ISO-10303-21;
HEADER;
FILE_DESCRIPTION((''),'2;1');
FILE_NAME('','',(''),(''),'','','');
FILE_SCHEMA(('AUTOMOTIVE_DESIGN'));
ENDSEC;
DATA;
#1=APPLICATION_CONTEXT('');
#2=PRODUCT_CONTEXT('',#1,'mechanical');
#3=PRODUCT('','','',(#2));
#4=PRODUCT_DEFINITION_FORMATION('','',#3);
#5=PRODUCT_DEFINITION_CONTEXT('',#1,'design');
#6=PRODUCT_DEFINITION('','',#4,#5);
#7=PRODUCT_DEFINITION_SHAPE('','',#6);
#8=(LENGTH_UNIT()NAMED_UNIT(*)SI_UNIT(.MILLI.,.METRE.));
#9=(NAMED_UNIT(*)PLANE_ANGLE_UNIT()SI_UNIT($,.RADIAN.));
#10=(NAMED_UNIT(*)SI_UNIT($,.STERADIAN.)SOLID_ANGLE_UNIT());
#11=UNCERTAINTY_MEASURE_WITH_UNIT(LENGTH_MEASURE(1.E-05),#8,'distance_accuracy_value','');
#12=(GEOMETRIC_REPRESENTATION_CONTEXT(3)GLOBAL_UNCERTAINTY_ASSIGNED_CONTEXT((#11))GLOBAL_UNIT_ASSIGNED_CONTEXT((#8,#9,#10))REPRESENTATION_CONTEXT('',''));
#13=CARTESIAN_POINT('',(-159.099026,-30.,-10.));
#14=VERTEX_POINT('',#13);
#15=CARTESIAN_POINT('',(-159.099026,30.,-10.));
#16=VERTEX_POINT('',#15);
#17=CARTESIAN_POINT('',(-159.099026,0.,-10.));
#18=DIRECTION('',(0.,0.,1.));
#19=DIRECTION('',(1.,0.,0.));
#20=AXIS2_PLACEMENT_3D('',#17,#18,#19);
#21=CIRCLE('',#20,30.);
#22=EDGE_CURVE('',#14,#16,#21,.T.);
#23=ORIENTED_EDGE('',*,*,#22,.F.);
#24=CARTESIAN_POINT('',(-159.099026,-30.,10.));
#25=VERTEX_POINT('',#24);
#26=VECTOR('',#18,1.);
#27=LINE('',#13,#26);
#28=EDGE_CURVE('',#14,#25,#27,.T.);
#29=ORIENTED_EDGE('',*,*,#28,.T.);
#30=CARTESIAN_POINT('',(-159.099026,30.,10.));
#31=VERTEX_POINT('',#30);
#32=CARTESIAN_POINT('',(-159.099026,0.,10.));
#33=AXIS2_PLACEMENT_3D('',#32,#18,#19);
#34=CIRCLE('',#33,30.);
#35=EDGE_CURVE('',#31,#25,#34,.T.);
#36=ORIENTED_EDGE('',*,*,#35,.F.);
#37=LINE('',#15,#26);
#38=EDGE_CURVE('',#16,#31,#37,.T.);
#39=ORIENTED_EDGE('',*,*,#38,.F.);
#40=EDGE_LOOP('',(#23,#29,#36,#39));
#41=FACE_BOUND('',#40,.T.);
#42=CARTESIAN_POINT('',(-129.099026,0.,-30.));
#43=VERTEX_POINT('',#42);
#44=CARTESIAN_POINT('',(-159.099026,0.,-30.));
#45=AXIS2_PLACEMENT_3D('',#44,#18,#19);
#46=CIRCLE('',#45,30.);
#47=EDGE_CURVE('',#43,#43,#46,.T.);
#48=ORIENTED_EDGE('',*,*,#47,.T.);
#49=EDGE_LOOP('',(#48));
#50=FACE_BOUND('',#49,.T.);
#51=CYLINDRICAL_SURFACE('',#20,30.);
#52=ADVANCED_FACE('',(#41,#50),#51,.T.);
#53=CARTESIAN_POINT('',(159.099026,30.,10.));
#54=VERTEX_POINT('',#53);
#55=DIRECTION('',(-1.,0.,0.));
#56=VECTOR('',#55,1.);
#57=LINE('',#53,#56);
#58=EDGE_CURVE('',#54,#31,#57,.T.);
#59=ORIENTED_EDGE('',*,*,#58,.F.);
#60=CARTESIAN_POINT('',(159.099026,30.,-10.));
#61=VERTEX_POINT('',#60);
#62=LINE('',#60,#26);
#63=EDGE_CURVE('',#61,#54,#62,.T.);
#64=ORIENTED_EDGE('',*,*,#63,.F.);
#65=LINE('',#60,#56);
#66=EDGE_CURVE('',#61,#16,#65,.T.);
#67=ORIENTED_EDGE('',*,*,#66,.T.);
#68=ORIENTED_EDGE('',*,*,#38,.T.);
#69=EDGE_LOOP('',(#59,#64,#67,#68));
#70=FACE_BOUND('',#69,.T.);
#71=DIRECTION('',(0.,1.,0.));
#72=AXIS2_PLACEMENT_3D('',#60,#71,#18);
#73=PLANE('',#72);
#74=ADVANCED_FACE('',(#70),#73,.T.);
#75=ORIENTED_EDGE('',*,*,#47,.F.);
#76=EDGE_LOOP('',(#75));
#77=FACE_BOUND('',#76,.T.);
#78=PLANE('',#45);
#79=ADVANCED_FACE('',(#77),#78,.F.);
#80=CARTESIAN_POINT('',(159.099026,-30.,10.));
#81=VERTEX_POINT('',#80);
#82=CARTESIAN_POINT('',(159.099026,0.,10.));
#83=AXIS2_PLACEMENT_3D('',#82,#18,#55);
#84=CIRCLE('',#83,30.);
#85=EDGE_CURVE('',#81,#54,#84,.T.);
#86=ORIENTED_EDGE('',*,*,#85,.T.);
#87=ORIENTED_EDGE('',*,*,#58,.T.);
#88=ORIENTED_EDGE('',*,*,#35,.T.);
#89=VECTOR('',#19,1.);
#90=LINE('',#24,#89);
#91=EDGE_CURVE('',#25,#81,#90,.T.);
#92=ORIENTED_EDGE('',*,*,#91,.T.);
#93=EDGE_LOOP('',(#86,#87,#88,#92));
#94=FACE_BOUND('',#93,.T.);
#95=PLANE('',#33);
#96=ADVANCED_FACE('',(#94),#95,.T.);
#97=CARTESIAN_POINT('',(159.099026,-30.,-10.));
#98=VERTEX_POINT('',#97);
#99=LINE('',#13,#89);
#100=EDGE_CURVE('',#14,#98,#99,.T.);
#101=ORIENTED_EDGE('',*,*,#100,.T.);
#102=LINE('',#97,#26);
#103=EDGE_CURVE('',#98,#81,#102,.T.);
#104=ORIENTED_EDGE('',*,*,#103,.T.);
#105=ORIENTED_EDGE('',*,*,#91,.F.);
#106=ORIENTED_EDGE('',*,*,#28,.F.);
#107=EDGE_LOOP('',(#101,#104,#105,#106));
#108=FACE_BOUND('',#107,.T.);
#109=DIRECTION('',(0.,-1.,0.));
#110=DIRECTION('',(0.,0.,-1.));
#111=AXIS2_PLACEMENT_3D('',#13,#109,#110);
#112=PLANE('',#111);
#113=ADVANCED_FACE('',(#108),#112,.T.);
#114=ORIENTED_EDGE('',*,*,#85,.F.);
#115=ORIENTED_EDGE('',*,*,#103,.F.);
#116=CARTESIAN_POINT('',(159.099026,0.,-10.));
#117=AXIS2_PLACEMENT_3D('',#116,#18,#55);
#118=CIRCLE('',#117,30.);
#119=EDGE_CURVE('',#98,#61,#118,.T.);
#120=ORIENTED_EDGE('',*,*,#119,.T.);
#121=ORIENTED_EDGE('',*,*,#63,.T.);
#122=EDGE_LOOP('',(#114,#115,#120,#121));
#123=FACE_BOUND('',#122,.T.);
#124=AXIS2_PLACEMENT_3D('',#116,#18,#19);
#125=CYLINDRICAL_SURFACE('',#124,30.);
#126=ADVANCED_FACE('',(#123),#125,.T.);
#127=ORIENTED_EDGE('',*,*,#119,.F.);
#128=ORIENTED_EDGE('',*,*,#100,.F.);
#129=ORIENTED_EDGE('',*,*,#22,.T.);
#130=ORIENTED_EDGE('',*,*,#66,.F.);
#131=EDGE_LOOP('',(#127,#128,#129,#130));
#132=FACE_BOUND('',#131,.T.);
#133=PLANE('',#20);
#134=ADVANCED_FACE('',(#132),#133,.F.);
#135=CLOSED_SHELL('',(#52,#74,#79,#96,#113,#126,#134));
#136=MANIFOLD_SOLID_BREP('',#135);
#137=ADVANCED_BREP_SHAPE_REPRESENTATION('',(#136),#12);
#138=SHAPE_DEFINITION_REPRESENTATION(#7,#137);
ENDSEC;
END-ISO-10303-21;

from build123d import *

# Parameters (mm, degrees)
EXTRUDE_1_DEPTH      = 10
EXTRUDE_1_DEPTH_BACK = 10
EXTRUDE_START        = -30
SKETCH_2_R           = 30
EXTRUDE_2_DEPTH      = 30


with BuildPart() as part:
    # 草图1 → 凸台-拉伸1 (new, two sides: drawn at the far end of the back side and taken through both)
    with BuildSketch(Plane.XY.offset(-EXTRUDE_1_DEPTH_BACK)):
        with BuildLine():
            Line((159.099025767, 30), (-159.099025767, 30))
            ThreePointArc((-159.099025767, 30), (-189.099025767, 0), (-159.099025767, -30))
            Line((-159.099025767, -30), (159.099025767, -30))
            ThreePointArc((159.099025767, -30), (189.099025767, 0), (159.099025767, 30))
        make_face()
    extrude(amount=EXTRUDE_1_DEPTH + EXTRUDE_1_DEPTH_BACK)

    # 草图2 → 凸台-拉伸2 (add)
    with BuildSketch(Plane.XY.offset(EXTRUDE_START)):
        with Locations((-159.099025767, 0)):
            Circle(SKETCH_2_R)
    extrude(amount=EXTRUDE_2_DEPTH)


solid = part.part
